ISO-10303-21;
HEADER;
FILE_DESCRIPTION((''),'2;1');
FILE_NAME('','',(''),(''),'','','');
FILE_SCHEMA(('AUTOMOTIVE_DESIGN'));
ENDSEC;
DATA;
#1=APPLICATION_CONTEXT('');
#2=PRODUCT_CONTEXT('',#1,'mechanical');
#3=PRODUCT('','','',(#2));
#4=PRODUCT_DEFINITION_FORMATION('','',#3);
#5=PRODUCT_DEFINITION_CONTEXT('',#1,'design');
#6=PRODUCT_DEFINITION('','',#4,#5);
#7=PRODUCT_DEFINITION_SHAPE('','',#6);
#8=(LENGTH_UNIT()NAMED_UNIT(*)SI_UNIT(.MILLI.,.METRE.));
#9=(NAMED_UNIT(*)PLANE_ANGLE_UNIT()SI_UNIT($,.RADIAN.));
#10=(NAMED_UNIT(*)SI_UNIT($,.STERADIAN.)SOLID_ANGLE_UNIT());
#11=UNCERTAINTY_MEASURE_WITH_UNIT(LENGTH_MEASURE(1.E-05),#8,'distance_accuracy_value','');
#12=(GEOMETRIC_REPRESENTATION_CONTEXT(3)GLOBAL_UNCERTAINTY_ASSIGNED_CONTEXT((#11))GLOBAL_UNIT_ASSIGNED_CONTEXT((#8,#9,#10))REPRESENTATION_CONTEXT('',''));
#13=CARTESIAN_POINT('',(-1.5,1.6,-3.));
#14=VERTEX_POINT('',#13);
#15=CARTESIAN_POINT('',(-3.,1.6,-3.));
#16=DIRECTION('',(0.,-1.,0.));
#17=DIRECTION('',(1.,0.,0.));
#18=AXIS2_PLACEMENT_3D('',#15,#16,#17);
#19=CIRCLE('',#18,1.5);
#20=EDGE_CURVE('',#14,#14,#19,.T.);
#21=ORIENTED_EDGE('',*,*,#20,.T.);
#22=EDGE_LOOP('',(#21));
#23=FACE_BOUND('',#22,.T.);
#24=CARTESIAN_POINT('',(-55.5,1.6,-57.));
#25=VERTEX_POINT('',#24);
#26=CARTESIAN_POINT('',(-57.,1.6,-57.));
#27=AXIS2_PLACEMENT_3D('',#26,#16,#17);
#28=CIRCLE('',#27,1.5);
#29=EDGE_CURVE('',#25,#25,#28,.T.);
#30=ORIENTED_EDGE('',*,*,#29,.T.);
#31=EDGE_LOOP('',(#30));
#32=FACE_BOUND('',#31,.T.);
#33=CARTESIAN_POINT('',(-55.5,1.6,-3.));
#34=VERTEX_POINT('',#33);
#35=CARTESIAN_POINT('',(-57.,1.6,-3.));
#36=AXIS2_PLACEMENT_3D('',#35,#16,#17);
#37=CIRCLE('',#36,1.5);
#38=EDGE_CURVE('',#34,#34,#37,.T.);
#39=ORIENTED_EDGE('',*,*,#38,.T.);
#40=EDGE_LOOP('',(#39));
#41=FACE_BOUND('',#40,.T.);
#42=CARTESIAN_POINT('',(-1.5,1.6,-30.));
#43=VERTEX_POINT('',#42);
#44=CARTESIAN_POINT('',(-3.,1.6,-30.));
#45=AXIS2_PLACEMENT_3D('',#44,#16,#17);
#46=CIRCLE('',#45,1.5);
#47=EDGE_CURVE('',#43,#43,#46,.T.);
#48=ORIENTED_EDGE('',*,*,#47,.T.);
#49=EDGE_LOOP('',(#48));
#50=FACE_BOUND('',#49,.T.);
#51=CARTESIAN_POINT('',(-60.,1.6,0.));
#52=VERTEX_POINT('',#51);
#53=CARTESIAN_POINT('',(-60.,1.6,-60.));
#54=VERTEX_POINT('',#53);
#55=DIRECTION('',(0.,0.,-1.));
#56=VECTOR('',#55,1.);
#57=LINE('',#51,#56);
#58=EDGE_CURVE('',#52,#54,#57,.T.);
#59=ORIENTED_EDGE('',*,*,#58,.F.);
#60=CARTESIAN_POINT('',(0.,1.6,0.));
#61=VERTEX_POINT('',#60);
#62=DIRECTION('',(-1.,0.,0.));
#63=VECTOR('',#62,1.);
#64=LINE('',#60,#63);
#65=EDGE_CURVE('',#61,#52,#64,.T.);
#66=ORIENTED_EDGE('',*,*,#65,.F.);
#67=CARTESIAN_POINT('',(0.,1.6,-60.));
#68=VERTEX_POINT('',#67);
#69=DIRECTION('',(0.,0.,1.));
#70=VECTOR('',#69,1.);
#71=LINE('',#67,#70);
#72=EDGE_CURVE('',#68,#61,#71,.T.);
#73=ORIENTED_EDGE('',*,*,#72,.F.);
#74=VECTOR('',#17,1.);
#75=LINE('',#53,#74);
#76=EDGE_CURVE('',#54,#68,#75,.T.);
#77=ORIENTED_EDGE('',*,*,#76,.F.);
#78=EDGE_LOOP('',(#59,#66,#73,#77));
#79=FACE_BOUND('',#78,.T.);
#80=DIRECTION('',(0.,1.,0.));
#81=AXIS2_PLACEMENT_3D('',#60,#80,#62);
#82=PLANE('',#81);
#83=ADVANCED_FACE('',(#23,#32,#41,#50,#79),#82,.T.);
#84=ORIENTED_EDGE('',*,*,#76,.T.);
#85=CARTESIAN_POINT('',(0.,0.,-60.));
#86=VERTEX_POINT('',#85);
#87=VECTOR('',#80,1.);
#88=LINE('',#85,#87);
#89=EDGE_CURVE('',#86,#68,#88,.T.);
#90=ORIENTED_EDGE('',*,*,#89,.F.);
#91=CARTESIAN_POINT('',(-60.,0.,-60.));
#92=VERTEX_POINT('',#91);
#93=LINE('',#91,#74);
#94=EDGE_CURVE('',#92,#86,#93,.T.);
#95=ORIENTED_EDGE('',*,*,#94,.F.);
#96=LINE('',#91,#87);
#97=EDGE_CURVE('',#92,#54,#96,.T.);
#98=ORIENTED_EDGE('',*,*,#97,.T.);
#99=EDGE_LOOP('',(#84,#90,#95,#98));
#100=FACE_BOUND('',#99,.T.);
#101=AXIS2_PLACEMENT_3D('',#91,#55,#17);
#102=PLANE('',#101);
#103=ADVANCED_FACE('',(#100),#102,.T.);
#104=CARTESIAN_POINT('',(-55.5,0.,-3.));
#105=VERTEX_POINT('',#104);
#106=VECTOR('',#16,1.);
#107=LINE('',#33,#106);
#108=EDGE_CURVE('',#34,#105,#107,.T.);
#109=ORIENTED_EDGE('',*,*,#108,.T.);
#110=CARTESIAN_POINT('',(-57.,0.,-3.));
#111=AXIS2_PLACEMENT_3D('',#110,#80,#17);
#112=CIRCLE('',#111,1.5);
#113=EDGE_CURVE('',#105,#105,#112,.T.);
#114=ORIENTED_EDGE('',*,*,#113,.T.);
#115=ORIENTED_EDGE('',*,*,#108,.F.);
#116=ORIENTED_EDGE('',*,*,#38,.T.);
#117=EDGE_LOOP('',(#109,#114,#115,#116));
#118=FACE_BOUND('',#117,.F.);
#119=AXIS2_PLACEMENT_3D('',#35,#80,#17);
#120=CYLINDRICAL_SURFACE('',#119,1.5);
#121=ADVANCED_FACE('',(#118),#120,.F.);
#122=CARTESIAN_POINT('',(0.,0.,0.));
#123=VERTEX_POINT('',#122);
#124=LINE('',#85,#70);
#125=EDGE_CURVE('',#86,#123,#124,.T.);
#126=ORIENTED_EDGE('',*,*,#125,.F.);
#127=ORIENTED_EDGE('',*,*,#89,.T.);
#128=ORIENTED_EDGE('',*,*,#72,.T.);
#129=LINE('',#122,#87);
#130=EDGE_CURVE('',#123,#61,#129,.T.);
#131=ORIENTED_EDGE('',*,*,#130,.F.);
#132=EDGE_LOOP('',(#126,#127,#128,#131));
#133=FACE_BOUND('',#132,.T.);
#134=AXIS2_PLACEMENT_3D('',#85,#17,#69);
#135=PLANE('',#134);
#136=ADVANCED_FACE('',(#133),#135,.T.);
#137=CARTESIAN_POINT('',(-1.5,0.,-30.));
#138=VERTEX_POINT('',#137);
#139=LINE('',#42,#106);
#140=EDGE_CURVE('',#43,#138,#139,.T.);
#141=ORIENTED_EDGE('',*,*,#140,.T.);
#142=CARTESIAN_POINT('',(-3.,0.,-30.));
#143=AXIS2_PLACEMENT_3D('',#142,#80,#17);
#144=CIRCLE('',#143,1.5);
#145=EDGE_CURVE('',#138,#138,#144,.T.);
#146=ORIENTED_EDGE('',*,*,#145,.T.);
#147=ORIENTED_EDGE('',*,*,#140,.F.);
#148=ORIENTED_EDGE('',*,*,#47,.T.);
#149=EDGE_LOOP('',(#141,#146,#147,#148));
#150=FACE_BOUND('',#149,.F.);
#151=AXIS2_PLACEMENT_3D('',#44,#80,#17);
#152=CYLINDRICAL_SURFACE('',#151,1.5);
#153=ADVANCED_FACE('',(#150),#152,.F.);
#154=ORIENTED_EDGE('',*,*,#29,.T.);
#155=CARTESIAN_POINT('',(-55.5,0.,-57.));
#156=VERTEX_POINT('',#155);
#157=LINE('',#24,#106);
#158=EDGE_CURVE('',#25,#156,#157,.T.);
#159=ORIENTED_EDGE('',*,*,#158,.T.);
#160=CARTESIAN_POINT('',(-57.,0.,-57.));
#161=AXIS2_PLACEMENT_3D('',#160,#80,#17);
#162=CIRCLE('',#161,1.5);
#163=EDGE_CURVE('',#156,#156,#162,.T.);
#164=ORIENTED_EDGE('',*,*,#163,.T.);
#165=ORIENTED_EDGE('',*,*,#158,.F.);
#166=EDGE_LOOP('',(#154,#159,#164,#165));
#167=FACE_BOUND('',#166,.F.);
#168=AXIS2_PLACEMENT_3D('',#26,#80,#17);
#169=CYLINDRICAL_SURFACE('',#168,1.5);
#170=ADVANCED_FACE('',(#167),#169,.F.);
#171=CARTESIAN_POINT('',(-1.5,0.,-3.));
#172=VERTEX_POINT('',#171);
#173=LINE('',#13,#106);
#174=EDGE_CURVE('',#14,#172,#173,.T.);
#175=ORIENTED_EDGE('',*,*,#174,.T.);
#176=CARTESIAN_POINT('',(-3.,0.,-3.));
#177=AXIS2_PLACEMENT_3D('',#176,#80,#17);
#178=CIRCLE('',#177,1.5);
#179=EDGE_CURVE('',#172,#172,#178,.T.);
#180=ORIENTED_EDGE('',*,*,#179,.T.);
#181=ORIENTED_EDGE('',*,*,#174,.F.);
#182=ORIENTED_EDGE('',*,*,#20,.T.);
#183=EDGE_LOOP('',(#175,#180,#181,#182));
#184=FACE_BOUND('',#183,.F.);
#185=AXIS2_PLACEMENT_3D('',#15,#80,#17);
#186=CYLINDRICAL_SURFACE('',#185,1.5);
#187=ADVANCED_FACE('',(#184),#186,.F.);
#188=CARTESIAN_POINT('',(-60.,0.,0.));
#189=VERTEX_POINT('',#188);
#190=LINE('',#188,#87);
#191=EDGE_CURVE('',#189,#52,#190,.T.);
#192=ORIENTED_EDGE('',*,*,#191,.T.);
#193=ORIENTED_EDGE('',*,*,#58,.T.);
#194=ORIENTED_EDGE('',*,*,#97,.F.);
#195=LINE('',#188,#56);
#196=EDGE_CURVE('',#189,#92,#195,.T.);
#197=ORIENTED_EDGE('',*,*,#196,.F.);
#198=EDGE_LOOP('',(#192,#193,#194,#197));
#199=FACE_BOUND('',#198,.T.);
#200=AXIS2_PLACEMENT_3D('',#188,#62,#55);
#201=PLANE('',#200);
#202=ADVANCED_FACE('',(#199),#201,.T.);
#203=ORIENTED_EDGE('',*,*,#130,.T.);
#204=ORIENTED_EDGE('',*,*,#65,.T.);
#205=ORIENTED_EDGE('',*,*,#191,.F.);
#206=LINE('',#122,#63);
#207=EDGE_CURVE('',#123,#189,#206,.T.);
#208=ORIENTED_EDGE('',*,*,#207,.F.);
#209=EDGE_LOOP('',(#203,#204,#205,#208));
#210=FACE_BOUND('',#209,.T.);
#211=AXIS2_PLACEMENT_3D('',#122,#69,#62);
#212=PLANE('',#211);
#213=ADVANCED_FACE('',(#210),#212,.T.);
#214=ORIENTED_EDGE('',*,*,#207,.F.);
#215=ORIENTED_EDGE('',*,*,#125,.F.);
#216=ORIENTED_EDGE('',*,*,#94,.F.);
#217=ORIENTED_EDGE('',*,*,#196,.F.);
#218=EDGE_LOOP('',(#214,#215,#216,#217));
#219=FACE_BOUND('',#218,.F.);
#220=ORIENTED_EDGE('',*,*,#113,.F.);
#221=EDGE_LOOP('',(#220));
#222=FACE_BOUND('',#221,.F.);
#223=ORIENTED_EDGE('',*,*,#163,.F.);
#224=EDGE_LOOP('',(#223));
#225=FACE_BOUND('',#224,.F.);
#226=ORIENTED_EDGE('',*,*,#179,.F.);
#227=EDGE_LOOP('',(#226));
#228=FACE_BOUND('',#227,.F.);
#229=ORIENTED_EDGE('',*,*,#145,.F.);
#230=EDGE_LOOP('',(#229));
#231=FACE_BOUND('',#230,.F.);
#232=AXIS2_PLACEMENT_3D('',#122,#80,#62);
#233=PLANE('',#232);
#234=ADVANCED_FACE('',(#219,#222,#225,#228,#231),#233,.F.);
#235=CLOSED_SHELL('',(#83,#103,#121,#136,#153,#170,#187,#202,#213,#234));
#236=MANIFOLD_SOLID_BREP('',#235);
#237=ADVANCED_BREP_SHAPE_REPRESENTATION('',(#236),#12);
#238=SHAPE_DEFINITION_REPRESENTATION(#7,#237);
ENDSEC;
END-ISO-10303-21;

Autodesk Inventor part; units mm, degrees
ref_plane "YZ Plane" through (0, 0, 0) normal (1, 0, 0) x (0, 1, 0)
ref_plane "XZ Plane" through (0, 0, 0) normal (0, 1, 0) x (-1, 0, 0)
ref_plane "XY Plane" through (0, 0, 0) normal (0, 0, 1) x (1, 0, 0)
sketch "Sketch1" plane through (0, 0, 0) normal (0, 1, 0) x (-1, 0, 0)
  line L0 (0, 0) -> (60, 0)
  line L1 (60, 0) -> (60, -60)
  line L2 (60, -60) -> (0, -60)
  line L3 (0, -60) -> (0, 0)
  dimension "d0" = 60
  dimension "d1" = 60
extrude "Extrusion1" add sketch "Sketch1" along normal blind 1.6
sketch "Sketch2" plane through (0, 1.6, 0) normal (0, 1, 0) x (1, 0, 0)
  line L0 (0, 0) -> (0, 3)
  line L1 (0, 0) -> (3, 0) construction
  line L2 (0, 3) -> (-3, 3)
  line L3 (-3, 3) -> (-57, 3)
  line L4 (-3, 3) -> (51, 3) construction
  line L5 (-57, 3) -> (-57, 57)
  line L6 (-3, 3) -> (-3, 30)
  line L7 (-3, 3) -> (24, 3) construction
  circle A0 centre (-3, 30) radius 1.5
  circle A1 centre (-3, 3) radius 1.5
  circle A2 centre (-57, 3) radius 1.5
  circle A3 centre (-57, 57) radius 1.5
  dimension "d4" = 3
  dimension "d5" = 90
  dimension "d6" = 3
  dimension "d7" = 54
  dimension "d8" = 180
  dimension "d9" = 54
  dimension "d10" = 90
  dimension "d11" = 27
  dimension "d12" = 90
  dimension "d13" = 3
  dimension "d14" = 3
  dimension "d15" = 3
  dimension "d16" = 3
extrude "Extrusion2" cut sketch "Sketch2" against normal up to surface (1.6 mm away)
properties part number "forcefoot_pcb"
